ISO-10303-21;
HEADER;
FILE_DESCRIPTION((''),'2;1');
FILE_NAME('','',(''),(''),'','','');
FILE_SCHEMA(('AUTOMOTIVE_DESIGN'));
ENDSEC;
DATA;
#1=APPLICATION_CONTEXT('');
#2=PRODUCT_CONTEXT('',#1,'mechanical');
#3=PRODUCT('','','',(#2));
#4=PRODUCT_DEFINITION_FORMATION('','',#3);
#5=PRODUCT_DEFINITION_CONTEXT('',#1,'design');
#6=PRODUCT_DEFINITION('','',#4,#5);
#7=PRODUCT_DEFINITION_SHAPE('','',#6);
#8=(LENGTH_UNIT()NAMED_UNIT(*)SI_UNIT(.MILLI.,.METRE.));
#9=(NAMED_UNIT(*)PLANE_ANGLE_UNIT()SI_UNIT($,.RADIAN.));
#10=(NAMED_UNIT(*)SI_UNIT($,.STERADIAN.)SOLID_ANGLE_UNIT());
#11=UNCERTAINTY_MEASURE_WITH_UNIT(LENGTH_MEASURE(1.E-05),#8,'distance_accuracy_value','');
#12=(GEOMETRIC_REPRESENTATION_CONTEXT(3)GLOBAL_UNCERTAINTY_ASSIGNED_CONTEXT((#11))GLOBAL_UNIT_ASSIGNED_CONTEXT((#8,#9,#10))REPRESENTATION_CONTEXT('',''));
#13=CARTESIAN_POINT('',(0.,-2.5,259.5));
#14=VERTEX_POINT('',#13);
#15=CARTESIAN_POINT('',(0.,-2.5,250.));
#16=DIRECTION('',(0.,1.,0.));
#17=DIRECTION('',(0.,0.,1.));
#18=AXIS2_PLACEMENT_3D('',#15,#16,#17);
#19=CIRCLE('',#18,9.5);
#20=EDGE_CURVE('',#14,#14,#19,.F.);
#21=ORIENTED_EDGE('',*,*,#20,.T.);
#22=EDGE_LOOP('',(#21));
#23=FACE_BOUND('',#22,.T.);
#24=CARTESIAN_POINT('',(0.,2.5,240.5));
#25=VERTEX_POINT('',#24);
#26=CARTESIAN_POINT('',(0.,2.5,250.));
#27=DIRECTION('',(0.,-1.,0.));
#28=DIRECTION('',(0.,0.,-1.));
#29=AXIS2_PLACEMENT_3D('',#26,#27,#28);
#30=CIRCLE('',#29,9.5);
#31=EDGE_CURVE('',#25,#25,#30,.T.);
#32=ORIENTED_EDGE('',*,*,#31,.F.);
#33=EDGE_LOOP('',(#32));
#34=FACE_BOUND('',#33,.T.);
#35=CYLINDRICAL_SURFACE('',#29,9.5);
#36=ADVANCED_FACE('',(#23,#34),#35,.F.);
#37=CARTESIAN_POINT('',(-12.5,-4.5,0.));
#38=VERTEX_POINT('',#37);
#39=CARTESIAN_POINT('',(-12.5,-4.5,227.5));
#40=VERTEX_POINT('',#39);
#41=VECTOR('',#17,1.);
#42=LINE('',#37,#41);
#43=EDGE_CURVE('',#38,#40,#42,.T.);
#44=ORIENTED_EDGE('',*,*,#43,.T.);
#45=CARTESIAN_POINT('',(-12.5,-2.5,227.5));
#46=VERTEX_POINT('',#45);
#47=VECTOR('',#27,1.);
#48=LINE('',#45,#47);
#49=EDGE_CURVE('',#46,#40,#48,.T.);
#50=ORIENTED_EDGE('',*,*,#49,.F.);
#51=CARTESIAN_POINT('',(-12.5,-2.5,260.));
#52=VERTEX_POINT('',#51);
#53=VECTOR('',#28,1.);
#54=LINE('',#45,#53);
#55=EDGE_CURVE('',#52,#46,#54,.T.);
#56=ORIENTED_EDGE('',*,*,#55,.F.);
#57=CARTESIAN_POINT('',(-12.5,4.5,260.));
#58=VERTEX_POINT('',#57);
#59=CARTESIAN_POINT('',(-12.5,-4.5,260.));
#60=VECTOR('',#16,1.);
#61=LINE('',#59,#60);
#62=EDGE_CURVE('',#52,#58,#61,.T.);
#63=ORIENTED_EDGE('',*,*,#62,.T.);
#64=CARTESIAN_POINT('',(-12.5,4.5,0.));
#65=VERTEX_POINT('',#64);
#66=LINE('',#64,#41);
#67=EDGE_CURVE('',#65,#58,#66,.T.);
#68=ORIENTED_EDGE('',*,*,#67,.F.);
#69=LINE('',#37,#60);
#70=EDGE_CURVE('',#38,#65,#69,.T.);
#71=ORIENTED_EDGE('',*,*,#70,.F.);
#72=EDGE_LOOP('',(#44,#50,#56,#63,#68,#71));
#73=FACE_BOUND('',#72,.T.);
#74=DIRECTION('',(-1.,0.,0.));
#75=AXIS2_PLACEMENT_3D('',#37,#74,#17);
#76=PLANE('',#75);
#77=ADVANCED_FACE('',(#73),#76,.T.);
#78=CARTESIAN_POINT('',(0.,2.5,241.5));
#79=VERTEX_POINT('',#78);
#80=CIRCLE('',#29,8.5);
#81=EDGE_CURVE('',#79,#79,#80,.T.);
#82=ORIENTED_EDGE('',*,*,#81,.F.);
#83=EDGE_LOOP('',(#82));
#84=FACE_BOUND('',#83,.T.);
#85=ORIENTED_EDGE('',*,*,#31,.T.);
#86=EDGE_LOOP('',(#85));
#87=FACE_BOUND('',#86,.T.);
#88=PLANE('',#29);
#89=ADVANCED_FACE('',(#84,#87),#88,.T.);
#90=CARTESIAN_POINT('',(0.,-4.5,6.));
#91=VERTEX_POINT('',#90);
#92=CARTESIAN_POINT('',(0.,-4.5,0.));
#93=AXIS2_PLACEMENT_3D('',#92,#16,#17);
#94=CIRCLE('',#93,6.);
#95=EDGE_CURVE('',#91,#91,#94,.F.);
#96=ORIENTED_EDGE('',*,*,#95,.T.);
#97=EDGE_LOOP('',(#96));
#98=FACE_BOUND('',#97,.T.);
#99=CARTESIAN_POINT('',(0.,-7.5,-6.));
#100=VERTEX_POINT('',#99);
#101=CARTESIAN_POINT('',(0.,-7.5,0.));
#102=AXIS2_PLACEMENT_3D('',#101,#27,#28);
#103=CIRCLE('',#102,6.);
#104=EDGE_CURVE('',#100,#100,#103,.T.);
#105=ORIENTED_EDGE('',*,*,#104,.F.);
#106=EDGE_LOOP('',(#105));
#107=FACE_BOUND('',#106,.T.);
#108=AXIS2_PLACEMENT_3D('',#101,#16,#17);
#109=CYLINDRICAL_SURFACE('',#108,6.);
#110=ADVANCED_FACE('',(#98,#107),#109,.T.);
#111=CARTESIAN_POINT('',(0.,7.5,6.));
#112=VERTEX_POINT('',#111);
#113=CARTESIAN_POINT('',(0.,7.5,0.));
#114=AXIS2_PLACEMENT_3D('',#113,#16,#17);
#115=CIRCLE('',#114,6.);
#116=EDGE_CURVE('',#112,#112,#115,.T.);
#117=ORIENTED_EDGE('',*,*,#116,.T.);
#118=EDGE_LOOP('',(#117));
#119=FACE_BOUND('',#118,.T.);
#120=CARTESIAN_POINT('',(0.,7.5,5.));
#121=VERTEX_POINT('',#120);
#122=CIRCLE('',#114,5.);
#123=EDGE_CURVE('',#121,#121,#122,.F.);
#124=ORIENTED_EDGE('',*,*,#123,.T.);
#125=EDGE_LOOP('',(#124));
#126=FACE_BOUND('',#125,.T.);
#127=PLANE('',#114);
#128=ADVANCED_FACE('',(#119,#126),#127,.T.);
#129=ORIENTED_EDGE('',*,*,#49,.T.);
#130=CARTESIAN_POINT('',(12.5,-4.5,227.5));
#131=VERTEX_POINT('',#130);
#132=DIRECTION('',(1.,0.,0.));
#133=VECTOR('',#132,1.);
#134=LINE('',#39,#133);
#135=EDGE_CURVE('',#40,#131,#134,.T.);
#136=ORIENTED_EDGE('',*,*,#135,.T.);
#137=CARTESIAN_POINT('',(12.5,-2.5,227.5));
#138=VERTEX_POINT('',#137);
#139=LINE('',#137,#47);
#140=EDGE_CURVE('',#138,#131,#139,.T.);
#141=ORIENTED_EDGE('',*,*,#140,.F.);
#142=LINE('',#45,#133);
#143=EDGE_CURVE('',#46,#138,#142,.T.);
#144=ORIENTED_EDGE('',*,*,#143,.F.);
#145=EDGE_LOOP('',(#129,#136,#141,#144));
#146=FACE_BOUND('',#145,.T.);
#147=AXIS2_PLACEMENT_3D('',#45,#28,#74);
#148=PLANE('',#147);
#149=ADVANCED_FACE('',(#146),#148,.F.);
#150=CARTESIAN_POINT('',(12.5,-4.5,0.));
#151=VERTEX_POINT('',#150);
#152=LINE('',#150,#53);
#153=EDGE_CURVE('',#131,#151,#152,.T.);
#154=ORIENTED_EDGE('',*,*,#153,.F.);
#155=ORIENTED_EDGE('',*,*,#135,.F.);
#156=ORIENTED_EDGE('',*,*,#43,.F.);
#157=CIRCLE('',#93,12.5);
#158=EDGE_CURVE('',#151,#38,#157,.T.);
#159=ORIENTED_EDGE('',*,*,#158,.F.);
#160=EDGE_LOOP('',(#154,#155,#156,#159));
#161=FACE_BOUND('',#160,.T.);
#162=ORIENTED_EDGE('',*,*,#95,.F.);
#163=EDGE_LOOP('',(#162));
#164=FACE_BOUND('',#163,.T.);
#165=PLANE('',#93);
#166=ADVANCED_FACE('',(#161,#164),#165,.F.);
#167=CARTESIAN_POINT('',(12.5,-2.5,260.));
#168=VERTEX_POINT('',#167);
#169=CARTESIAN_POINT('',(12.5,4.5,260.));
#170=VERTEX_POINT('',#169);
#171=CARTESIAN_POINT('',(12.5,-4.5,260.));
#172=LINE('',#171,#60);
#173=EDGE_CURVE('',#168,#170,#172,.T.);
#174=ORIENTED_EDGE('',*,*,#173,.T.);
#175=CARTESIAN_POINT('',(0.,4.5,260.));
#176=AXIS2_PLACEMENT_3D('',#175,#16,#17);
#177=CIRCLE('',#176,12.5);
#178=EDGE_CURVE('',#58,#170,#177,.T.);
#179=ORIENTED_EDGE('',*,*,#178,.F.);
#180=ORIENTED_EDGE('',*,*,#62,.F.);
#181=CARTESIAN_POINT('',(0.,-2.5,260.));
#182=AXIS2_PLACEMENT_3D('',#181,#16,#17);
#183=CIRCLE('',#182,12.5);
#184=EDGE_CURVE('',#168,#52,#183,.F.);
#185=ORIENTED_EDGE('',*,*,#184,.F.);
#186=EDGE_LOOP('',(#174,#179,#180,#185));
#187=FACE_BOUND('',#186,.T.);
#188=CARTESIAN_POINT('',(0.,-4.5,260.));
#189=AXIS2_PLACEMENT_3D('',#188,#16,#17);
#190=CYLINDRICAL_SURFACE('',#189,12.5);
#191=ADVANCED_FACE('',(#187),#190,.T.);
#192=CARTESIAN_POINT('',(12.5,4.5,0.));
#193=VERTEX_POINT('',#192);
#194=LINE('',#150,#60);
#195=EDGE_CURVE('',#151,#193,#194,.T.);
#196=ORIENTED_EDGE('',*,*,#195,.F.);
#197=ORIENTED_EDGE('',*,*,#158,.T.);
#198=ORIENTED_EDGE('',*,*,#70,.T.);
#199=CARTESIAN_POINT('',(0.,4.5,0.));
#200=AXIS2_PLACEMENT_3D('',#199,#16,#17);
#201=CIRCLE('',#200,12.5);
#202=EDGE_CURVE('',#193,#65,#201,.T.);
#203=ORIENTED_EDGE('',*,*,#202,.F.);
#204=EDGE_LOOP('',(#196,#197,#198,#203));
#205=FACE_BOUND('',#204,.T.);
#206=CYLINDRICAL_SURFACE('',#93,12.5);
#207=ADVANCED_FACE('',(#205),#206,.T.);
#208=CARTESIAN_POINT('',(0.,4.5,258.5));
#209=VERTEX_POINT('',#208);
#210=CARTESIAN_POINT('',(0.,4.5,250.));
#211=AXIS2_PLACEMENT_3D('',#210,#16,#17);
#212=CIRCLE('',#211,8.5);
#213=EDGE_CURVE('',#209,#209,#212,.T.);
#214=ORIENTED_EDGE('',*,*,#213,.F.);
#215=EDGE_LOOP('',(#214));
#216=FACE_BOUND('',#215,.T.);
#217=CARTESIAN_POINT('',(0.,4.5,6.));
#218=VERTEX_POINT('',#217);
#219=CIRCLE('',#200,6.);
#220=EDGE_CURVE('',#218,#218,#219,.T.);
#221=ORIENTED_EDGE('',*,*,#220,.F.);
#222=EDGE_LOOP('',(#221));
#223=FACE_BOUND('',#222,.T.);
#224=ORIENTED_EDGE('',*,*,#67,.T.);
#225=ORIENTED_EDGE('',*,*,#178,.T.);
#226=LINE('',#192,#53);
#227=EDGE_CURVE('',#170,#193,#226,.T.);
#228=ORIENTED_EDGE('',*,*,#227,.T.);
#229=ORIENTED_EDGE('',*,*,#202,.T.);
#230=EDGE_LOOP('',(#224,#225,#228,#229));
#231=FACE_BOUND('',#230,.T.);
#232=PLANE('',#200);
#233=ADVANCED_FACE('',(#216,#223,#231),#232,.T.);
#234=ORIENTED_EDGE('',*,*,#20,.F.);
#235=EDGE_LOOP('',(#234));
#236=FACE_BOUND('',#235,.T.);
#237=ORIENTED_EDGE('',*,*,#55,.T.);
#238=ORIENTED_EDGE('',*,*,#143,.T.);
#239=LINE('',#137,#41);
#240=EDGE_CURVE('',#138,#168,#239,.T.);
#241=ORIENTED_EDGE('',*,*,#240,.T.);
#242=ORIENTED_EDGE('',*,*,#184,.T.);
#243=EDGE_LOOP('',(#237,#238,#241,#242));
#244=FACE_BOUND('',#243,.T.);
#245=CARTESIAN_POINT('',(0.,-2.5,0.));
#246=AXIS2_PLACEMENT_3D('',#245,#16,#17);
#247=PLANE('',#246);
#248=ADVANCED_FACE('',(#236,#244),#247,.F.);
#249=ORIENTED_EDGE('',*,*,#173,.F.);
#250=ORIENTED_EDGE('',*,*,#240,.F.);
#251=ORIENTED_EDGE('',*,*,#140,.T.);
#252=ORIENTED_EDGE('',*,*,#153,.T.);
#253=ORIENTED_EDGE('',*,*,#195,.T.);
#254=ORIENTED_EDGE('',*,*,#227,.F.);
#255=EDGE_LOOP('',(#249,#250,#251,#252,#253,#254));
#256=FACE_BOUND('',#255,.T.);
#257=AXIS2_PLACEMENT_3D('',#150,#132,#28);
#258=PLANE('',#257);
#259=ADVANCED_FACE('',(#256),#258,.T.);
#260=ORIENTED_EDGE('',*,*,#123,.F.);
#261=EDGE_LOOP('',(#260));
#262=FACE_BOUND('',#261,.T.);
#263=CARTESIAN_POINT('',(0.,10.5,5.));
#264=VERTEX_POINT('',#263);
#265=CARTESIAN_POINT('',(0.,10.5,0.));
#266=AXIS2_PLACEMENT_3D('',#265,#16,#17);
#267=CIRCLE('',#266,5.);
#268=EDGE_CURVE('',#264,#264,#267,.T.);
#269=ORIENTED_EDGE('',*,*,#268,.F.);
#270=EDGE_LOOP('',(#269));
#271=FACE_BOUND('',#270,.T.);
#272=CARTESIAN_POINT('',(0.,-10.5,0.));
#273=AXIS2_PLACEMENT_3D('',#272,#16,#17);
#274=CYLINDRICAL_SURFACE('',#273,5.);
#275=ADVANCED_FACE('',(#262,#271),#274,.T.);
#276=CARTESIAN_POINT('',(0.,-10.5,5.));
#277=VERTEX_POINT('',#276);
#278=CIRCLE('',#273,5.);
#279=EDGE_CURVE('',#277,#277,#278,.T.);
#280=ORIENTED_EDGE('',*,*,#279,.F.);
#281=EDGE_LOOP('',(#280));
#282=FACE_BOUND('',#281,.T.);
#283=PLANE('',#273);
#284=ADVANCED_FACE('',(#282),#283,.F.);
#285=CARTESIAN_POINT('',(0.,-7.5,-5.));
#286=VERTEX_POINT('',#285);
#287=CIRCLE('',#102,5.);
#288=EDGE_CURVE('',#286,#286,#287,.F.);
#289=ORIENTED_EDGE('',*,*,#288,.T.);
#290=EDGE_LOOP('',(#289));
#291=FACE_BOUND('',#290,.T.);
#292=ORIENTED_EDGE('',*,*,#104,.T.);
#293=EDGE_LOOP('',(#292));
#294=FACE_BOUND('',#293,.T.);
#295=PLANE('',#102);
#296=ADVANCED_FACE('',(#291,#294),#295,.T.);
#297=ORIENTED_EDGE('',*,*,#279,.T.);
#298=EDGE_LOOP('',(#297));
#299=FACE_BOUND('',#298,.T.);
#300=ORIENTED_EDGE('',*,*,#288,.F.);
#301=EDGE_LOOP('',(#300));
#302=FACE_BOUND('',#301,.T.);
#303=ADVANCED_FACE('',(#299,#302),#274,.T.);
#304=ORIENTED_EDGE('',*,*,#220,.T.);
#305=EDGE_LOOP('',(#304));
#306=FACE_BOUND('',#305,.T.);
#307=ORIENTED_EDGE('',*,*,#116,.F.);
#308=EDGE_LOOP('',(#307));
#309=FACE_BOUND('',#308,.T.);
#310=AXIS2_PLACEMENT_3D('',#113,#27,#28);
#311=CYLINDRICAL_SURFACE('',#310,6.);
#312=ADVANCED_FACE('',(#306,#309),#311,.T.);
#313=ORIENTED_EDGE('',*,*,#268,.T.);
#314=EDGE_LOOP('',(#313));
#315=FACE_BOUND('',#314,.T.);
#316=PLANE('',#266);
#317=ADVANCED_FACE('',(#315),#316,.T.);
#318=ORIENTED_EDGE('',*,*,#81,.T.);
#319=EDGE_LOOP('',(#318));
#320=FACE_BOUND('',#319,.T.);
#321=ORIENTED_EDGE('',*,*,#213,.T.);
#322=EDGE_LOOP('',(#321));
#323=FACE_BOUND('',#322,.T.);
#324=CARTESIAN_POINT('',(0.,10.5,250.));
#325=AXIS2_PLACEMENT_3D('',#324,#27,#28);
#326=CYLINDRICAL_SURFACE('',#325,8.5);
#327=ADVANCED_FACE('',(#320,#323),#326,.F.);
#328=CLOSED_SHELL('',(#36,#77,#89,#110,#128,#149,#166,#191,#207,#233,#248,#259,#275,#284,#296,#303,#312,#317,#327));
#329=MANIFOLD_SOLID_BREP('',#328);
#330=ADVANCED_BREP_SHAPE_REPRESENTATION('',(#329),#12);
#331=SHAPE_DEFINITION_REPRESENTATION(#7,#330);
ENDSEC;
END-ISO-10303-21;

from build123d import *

# Parameters (mm, degrees)
EXTRUDE_1_DEPTH      = 10.5
EXTRUDE_1_DEPTH_BACK = 10.5
SKETCH_1_R           = 5
EXTRUDE_3_DEPTH      = 4.5
EXTRUDE_3_DEPTH_BACK = 4.5
SKETCH_7_R           = 6
EXTRUDE_4_DEPTH      = 3
EXTRUDE_START        = 3
SKETCH_8_R           = 6
EXTRUDE_5_DEPTH      = 3
SKETCH_9_R           = 9.5
CUT_EXTRUDE_1_DEPTH  = 7
SKETCH_10_R          = 8.5
CUT_EXTRUDE_2_DEPTH  = 274.096136919
SKETCH_13_W          = 25
SKETCH_13_H          = 45
CUT_EXTRUDE_3_DEPTH  = 2


with BuildPart() as part:
    # 스케치1 → 보스-돌출1 (new, two sides: drawn at the far end of the back side and taken through both)
    with BuildSketch(Plane(origin=(0, 0, 0), x_dir=(1, 0, 0), z_dir=(0, 1, 0)).offset(-EXTRUDE_1_DEPTH_BACK)):
        Circle(SKETCH_1_R)
    extrude(amount=EXTRUDE_1_DEPTH + EXTRUDE_1_DEPTH_BACK)

    # 스케치6 → 보스-돌출3 (add, two sides: drawn at the far end of the back side and taken through both)
    with BuildSketch(Plane(origin=(0, 0, 0), x_dir=(1, 0, 0), z_dir=(0, 1, 0)).offset(-EXTRUDE_3_DEPTH_BACK)):
        with BuildLine():
            Line((-12.5, 0), (-12.5, -260))
            ThreePointArc((-12.5, -260), (0, -272.5), (12.5, -260))
            Line((12.5, -260), (12.5, 0))
            ThreePointArc((12.5, 0), (0, 12.5), (-12.5, 0))
        make_face()
    extrude(amount=EXTRUDE_3_DEPTH + EXTRUDE_3_DEPTH_BACK)

    # 스케치7 → 보스-돌출4 (add)
    with BuildSketch(Plane.XZ.offset(4.5)):
        Circle(SKETCH_7_R)
    extrude(amount=EXTRUDE_4_DEPTH)

    # 스케치8 → 보스-돌출5 (add)
    with BuildSketch(Plane(origin=(0, 4.5, 0), x_dir=(1, 0, 0), z_dir=(0, 1, 0)).offset(EXTRUDE_START)):
        Circle(SKETCH_8_R)
    extrude(amount=-EXTRUDE_5_DEPTH)

    # 스케치9 → 컷-돌출1 (cut)
    with BuildSketch(Plane.XZ.offset(4.5)):
        with Locations((0, 250)):
            Circle(SKETCH_9_R)
    extrude(amount=-CUT_EXTRUDE_1_DEPTH, mode=Mode.SUBTRACT)

    # 스케치10 → 컷-돌출2 (cut, through all)
    with BuildSketch(Plane.XZ.offset(-2.5)):
        with Locations((0, 250)):
            Circle(SKETCH_10_R)
    extrude(amount=-CUT_EXTRUDE_2_DEPTH, mode=Mode.SUBTRACT)

    # 스케치13 → 컷-돌출3 (cut)
    with BuildSketch(Plane.XZ.offset(4.5)):
        with Locations((0, 250)):
            Rectangle(SKETCH_13_W, SKETCH_13_H)
    extrude(amount=-CUT_EXTRUDE_3_DEPTH, mode=Mode.SUBTRACT)


solid = part.part
